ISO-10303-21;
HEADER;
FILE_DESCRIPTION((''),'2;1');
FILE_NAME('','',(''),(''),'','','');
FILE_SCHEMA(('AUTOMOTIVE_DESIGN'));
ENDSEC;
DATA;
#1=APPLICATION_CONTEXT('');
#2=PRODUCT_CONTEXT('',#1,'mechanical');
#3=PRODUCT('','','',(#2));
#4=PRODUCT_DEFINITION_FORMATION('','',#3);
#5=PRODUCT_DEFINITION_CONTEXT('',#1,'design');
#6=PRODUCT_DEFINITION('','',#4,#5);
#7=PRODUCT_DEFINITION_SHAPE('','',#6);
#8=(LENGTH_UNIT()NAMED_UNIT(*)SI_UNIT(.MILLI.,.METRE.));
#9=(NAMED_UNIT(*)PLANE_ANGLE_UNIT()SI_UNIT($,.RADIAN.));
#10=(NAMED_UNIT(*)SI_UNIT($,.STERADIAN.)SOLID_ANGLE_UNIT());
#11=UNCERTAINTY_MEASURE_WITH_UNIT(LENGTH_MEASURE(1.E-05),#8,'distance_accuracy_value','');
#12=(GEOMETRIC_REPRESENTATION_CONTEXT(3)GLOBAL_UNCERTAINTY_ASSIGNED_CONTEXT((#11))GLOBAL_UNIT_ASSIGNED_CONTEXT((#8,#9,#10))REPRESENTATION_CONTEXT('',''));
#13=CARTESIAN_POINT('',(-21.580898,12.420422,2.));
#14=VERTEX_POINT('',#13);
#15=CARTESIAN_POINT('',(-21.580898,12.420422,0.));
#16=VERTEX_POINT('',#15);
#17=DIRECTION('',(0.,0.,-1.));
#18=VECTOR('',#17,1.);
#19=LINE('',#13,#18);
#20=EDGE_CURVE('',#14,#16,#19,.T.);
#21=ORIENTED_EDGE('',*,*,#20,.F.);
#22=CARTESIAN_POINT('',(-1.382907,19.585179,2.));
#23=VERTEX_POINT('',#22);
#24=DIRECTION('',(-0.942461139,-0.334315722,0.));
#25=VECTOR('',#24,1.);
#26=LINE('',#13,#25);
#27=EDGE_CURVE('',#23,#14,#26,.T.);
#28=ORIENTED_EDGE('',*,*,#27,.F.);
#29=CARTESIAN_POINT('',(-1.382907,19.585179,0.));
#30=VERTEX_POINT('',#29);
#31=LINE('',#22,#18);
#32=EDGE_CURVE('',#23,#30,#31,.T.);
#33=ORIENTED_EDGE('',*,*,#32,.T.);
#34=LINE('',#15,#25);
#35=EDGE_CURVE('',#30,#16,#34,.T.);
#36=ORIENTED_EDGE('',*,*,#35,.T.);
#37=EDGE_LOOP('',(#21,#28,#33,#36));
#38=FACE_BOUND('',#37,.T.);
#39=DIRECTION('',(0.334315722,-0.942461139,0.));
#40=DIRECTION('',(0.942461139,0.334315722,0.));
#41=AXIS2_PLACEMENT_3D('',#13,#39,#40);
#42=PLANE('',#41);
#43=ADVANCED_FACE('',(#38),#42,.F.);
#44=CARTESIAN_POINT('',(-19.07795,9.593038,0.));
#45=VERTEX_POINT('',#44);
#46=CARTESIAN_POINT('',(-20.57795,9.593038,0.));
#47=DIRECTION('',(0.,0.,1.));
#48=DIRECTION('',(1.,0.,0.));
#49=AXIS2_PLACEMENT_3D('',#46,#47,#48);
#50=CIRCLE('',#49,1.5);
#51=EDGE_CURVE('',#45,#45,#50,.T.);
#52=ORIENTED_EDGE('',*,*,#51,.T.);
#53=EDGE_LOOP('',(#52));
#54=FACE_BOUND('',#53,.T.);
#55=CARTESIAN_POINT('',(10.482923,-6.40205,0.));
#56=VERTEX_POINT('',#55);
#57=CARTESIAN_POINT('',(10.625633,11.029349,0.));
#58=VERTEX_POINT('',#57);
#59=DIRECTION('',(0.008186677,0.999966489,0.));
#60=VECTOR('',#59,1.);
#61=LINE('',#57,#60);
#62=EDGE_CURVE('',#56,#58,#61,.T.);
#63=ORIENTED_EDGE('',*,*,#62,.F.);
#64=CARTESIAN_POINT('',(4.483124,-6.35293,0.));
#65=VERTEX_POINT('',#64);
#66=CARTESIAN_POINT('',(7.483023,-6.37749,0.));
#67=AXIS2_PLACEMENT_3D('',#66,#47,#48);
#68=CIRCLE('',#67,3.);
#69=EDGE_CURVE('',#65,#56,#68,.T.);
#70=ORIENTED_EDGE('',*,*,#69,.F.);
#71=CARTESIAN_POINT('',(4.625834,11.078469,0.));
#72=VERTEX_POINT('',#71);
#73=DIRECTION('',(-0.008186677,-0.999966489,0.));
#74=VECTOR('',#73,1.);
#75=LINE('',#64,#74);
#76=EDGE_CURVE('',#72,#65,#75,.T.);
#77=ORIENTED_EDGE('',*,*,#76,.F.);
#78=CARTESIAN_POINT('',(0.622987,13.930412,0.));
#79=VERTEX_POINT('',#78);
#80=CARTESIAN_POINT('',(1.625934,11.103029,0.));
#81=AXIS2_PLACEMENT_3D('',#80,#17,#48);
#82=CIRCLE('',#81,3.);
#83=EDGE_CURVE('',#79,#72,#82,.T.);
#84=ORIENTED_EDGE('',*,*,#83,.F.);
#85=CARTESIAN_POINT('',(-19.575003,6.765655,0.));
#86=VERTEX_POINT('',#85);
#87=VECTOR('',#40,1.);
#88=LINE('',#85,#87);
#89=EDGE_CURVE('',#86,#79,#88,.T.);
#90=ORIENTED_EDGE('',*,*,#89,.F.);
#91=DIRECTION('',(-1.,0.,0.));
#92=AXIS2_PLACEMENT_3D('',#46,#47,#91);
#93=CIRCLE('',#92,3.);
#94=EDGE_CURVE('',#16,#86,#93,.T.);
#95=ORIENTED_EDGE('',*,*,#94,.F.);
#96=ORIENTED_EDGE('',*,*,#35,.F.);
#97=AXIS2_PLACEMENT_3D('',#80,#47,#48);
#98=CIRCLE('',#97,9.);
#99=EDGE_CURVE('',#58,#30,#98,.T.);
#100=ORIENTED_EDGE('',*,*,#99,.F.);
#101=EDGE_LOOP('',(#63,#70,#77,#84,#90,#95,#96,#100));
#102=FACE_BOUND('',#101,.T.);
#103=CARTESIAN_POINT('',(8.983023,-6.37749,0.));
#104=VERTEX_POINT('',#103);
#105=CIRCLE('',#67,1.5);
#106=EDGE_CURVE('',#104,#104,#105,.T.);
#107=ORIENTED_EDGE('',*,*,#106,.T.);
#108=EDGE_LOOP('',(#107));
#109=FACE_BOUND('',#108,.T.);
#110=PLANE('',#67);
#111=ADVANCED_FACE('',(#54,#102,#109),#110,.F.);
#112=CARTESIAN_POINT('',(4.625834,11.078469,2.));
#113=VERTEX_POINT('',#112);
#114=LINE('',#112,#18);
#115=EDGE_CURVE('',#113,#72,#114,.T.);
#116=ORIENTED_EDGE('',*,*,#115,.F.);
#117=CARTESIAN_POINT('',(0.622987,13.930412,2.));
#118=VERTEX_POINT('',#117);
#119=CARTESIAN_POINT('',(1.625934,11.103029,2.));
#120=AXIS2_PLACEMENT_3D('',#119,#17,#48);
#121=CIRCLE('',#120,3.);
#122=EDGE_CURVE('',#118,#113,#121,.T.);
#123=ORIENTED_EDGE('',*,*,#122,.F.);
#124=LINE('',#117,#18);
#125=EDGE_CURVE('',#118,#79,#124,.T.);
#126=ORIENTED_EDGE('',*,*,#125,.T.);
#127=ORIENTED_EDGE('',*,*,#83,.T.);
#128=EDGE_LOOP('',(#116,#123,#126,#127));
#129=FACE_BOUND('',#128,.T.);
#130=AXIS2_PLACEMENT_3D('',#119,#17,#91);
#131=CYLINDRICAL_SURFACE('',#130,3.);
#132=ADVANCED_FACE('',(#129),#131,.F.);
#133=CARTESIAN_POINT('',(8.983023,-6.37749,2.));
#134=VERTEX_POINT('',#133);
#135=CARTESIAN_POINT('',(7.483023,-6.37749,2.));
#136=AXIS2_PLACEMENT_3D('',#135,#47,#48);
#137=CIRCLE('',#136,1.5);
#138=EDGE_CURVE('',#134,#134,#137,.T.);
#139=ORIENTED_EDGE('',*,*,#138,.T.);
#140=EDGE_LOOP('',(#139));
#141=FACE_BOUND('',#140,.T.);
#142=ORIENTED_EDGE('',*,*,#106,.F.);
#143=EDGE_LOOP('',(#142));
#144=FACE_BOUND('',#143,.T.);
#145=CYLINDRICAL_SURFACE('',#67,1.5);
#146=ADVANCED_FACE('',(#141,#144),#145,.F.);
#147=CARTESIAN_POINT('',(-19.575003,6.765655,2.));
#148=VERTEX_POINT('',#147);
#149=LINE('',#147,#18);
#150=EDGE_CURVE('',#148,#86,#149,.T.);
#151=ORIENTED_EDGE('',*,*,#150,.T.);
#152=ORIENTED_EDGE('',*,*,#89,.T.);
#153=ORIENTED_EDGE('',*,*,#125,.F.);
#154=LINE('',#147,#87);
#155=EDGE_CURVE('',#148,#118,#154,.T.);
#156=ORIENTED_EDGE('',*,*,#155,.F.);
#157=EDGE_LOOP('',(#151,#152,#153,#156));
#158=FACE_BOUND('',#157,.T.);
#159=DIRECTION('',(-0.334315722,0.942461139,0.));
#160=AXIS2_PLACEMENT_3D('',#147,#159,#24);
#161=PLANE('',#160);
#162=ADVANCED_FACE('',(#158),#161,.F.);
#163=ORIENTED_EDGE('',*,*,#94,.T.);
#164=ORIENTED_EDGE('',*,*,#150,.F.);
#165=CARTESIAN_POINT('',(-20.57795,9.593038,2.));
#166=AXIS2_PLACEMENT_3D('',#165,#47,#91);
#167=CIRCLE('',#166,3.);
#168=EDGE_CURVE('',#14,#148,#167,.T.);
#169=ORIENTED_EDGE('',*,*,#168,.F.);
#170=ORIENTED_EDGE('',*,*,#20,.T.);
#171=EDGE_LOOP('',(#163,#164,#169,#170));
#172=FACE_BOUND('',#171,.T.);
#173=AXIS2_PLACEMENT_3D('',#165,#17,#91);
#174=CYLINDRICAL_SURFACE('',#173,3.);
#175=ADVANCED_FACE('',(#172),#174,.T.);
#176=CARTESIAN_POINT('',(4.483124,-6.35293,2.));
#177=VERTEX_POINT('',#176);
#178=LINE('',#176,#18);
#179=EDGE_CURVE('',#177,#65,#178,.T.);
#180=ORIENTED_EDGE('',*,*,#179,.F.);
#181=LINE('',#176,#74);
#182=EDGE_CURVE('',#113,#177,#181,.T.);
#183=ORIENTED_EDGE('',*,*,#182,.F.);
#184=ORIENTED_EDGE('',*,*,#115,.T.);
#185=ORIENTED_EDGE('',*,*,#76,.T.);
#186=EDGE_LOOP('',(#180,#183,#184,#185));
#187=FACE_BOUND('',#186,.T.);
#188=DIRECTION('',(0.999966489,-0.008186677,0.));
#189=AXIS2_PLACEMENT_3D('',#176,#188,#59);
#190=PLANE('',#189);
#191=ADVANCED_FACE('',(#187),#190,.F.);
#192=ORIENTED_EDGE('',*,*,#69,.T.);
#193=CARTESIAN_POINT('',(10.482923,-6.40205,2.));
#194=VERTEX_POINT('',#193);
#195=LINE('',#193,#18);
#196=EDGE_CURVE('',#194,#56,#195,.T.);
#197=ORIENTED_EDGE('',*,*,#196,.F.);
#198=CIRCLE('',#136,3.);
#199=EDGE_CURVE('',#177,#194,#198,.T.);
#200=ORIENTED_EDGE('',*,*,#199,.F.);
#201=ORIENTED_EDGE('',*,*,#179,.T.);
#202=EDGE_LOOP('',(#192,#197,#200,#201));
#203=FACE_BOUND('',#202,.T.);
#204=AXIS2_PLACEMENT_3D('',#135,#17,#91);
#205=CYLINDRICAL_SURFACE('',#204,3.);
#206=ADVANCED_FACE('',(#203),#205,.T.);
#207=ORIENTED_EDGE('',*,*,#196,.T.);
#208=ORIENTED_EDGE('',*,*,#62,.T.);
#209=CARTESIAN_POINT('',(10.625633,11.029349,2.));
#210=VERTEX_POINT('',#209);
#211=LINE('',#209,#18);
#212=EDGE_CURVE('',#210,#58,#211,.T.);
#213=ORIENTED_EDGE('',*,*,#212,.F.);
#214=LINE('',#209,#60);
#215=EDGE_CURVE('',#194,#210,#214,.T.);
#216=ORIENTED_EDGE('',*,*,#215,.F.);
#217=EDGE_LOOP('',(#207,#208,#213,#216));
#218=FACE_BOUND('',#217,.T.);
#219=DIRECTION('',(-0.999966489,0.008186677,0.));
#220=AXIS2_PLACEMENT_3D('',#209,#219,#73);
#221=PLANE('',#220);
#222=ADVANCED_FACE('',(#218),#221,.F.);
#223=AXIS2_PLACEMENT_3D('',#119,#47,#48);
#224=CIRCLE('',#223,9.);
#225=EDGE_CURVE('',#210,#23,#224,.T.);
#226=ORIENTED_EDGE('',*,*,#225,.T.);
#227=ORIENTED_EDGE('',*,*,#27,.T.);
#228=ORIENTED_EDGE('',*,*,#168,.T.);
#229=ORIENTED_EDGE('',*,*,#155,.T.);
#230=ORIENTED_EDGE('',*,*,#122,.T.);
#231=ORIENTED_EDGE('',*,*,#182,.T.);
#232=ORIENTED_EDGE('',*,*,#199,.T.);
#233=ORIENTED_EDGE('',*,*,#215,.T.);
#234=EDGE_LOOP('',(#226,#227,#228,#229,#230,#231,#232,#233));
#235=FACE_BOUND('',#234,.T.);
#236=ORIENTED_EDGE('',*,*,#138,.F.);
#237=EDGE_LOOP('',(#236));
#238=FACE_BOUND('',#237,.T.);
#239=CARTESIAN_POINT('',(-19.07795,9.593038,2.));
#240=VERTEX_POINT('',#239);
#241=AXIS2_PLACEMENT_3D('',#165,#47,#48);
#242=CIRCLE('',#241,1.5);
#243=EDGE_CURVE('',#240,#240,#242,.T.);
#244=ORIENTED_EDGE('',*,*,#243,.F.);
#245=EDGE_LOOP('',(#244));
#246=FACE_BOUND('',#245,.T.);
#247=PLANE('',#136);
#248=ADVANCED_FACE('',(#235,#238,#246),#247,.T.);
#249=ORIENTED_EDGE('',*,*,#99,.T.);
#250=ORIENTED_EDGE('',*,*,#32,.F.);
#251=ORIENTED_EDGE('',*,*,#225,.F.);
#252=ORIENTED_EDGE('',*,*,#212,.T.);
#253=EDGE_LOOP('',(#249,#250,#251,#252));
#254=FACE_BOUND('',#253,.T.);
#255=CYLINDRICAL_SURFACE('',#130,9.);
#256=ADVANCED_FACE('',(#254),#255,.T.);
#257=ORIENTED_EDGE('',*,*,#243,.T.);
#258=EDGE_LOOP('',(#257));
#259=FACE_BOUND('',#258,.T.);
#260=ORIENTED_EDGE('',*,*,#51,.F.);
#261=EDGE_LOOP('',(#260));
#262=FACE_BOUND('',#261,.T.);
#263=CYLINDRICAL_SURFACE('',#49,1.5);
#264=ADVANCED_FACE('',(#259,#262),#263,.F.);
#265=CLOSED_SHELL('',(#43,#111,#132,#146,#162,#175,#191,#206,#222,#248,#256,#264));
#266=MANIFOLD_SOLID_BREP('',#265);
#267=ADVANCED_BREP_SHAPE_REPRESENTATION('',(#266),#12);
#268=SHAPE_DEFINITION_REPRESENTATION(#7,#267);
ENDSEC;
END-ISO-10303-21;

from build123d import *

# Parameters (mm, degrees)
ESTRUSIONE_ESTRUSIONE1_DEPTH = 2
SCHIZZO2_R                   = 1.5
TAGLIO_ESTRUSIONE1_DEPTH     = 2


with BuildPart() as part:
    # Schizzo1 → Estrusione-Estrusione1 (new body)
    with BuildSketch(Plane.XY):
        with BuildLine():
            Line((-21.580897542, 12.42042156), (-1.38290736, 19.585179227))
            ThreePointArc((-1.38290736, 19.585179227), (6.84830427, 18.432889155), (10.625632535, 11.029348887))
            Line((10.625632535, 11.029348887), (10.482922522, -6.402050228))
            ThreePointArc((10.482922522, -6.402050228), (7.458463026, -9.377389663), (4.48312359, -6.352930167))
            Line((4.48312359, -6.352930167), (4.625833603, 11.078468948))
            ThreePointArc((4.625833603, 11.078468948), (3.366724182, 13.546315704), (0.622986972, 13.930412395))
            Line((0.622986972, 13.930412395), (-19.57500321, 6.765654727))
            ThreePointArc((-19.57500321, 6.765654727), (-23.405333792, 8.590090978), (-21.580897542, 12.42042156))
        make_face()
    extrude(amount=ESTRUSIONE_ESTRUSIONE1_DEPTH)

    # Schizzo2 → Taglio-Estrusione1 (cut)
    with BuildSketch(Plane.XY.offset(2)):
        with Locations((7.483023056, -6.377490197)):
            Circle(SCHIZZO2_R)
        with Locations((-20.577950376, 9.593038144)):
            Circle(SCHIZZO2_R)
    extrude(amount=-TAGLIO_ESTRUSIONE1_DEPTH, mode=Mode.SUBTRACT)


solid = part.part
